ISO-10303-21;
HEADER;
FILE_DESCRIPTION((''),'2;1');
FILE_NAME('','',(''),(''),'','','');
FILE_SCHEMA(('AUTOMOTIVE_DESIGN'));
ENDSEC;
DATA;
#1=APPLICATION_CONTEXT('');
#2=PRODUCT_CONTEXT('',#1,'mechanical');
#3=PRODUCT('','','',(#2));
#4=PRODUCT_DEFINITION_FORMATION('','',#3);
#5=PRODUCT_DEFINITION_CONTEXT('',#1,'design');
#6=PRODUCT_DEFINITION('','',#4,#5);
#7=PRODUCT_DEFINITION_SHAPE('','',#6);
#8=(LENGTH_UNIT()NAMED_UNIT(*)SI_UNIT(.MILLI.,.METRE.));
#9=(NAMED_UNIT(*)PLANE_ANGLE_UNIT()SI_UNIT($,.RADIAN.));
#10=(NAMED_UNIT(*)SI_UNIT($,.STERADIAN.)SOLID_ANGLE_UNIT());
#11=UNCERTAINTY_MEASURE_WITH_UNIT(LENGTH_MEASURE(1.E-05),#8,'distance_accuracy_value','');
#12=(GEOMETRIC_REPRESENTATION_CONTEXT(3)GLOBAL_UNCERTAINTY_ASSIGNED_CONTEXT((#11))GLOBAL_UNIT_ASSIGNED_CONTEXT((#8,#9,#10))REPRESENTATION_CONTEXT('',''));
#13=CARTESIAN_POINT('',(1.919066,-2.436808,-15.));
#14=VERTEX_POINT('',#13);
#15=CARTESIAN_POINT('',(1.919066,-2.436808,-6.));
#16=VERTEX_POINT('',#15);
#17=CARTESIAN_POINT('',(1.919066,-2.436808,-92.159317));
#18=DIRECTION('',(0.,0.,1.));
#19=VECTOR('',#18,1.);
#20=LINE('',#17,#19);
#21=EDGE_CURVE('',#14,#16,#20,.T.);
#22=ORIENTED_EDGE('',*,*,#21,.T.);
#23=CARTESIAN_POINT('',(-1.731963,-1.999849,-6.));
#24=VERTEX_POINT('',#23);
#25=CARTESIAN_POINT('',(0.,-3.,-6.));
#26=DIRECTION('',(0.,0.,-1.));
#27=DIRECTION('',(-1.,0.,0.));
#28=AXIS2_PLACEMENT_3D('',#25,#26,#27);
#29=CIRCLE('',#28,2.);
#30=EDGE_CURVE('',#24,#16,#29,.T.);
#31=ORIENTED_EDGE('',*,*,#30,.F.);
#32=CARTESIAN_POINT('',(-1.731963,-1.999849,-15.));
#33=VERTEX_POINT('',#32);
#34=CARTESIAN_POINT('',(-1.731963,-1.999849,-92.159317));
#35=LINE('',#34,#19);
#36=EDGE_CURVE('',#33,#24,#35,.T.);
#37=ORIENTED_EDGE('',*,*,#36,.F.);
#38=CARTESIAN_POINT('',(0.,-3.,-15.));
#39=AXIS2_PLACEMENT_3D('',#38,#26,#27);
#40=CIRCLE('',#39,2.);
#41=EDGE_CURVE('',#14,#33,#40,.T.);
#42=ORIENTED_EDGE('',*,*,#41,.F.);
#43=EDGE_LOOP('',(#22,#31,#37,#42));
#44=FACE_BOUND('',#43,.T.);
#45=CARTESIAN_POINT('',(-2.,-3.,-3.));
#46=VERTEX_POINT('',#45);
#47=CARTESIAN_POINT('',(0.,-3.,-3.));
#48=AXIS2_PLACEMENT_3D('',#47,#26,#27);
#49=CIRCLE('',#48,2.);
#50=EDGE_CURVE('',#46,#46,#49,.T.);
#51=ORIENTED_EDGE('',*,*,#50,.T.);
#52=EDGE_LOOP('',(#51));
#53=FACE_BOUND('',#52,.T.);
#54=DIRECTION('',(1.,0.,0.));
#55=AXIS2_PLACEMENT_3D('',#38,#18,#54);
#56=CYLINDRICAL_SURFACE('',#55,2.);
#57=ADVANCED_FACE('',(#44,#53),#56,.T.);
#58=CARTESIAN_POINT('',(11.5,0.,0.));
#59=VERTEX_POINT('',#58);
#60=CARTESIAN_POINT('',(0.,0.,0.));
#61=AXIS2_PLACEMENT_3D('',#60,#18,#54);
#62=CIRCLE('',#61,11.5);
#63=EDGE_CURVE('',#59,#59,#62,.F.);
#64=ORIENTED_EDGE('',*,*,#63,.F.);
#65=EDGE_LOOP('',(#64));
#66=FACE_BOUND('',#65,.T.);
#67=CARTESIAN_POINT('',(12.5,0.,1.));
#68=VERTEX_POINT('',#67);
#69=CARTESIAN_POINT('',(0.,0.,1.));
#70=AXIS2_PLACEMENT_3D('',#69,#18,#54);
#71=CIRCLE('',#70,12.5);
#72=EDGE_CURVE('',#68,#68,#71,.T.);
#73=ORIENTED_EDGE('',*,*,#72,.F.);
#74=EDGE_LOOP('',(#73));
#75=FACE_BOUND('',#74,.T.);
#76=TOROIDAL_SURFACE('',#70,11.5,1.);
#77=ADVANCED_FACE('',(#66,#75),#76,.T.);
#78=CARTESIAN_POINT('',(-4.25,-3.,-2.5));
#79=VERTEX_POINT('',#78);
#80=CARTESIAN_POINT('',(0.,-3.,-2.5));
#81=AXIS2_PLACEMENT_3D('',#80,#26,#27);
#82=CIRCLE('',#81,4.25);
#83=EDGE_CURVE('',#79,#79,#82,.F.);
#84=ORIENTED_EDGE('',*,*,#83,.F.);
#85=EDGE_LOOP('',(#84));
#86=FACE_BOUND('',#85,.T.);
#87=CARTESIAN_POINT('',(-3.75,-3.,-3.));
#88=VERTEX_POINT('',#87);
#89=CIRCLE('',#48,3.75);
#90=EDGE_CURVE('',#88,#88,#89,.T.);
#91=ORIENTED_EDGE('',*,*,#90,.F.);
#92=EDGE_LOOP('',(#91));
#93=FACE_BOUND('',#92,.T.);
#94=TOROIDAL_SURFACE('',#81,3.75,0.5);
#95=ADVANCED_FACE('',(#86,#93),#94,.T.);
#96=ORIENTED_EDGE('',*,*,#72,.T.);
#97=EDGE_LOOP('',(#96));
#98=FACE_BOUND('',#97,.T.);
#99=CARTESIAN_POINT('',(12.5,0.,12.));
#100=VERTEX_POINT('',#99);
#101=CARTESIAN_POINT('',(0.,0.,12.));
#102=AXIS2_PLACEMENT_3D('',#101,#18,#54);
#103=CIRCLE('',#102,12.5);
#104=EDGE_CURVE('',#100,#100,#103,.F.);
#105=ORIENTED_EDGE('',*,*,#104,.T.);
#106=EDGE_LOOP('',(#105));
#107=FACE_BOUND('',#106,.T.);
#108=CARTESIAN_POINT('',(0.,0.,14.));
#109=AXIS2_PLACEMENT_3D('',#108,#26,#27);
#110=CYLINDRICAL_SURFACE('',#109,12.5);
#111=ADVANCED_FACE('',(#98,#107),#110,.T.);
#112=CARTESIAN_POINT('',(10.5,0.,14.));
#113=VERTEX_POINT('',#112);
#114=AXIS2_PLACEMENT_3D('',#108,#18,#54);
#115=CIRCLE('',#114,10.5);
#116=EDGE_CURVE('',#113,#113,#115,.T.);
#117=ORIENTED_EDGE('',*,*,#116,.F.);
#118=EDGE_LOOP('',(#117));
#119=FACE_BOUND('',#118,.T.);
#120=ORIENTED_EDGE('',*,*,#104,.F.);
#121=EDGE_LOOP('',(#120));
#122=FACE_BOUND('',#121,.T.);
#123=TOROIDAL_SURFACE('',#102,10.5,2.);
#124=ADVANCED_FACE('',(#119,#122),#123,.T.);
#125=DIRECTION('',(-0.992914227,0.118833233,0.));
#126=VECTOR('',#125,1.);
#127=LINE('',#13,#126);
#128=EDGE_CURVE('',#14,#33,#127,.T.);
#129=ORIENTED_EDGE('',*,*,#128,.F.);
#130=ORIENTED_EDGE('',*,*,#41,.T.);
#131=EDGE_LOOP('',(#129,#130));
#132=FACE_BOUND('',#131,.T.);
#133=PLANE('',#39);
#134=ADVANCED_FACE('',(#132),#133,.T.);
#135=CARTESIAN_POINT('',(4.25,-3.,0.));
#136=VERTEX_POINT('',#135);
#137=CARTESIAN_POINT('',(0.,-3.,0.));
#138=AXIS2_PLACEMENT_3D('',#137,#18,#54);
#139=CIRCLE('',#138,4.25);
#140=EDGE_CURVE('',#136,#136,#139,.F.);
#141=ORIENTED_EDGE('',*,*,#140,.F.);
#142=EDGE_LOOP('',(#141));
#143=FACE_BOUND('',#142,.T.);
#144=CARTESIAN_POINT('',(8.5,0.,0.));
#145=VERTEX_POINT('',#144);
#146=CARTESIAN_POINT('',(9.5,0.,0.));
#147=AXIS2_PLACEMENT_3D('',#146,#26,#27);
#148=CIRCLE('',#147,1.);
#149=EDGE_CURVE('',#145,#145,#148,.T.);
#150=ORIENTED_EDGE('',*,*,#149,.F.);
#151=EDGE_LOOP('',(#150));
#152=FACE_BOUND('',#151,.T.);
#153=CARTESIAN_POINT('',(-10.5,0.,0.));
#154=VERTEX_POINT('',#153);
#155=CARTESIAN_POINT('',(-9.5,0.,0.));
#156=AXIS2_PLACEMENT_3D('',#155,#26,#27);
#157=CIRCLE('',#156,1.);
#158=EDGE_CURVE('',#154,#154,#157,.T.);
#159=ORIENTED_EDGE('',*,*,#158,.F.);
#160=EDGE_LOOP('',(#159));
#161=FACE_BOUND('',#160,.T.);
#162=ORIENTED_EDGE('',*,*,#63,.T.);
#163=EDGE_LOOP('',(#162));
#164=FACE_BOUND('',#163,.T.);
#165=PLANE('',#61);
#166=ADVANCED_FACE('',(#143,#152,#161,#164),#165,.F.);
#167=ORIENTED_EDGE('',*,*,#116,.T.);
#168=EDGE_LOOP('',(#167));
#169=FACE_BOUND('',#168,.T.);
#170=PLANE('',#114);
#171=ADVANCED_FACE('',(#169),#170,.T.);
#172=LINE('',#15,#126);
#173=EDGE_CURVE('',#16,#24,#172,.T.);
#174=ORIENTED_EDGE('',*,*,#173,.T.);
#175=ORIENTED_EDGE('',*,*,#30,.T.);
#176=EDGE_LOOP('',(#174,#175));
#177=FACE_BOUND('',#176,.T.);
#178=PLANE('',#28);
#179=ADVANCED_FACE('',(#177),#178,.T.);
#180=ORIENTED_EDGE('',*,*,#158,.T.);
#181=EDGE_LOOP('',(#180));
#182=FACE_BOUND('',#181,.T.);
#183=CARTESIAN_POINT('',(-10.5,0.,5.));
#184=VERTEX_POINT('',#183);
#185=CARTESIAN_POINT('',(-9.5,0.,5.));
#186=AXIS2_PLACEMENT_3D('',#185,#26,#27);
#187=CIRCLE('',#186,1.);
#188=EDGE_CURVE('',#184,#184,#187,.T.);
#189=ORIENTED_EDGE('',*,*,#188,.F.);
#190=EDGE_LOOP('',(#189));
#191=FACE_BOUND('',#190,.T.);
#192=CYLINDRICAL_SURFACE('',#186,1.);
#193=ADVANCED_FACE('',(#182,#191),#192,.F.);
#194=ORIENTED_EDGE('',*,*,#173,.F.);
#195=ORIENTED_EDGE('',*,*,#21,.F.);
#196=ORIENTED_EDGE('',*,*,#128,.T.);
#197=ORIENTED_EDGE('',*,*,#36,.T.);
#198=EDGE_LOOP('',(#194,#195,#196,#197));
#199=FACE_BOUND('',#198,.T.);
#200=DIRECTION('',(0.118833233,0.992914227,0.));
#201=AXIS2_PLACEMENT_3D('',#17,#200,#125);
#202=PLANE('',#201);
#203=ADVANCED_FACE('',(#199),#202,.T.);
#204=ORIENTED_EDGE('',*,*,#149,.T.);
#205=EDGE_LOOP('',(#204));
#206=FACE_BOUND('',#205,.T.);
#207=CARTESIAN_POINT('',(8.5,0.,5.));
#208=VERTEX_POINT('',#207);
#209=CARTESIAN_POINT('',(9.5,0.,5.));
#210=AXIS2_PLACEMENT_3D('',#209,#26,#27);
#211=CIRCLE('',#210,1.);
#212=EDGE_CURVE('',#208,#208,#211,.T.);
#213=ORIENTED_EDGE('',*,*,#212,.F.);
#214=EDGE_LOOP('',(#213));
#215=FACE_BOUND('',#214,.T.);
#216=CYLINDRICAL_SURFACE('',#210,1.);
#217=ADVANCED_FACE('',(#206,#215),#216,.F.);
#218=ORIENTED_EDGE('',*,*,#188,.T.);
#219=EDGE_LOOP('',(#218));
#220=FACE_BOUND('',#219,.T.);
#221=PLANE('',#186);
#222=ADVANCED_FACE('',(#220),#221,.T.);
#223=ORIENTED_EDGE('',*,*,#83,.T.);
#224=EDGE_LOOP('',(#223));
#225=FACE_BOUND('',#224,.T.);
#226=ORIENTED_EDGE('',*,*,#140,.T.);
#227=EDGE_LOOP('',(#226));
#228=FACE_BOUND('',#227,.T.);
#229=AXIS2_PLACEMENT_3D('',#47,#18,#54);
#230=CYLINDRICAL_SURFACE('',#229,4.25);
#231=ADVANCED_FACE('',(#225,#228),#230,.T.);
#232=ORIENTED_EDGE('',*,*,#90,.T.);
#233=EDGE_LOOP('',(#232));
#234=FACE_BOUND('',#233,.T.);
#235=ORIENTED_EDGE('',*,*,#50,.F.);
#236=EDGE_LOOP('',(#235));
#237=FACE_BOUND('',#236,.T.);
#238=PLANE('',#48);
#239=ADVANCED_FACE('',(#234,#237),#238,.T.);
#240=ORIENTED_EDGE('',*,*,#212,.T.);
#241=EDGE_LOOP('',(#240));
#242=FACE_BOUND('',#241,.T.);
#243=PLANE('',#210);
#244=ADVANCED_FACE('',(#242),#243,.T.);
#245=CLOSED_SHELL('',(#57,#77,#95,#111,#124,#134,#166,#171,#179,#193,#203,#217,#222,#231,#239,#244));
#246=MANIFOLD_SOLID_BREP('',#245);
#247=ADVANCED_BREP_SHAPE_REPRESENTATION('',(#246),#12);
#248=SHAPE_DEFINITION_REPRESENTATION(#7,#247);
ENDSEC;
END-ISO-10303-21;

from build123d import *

# Parameters (mm, degrees)
SKETCH1_R               = 12.5
BOSS_EXTRUDE1_DEPTH     = 14
FILLET2_R               = 1
SKETCH6_R               = 1
CUT_EXTRUDE2_DEPTH      = 5
SKETCH7_R               = 4.25
BOSS_EXTRUDE5_DEPTH     = 3
FILLET4_R               = 0.5
SKETCH8_R               = 2
BOSS_EXTRUDE6_DEPTH     = 12
CUT_EXTRUDE3_DEPTH      = 1
CUT_EXTRUDE3_DEPTH_BACK = 9
FILLET5_R               = 2


with BuildPart() as part:
    # Sketch1 → Boss-Extrude1 (new body)
    with BuildSketch(Plane.XY):
        Circle(SKETCH1_R)
    extrude(amount=BOSS_EXTRUDE1_DEPTH)

    # Fillet2
    fillet2_edges = [part.edges().sort_by_distance(p)[0] for p in [
        (-12.5, 0, 0),
    ]]
    fillet(fillet2_edges, radius=FILLET2_R)

    # Sketch6 → Cut-Extrude2 (cut)
    with BuildSketch(Plane(origin=(0, 0, 0), x_dir=(-1, 0, 0), z_dir=(0, 0, -1))):
        with Locations((-9.5, 0)):
            Circle(SKETCH6_R)
        with Locations((9.5, 0)):
            Circle(SKETCH6_R)
    extrude(amount=-CUT_EXTRUDE2_DEPTH, mode=Mode.SUBTRACT)

    # Sketch7 → Boss-Extrude5 (add)
    with BuildSketch(Plane(origin=(0, 0, 0), x_dir=(-1, 0, 0), z_dir=(0, 0, -1))):
        with Locations((0, -3)):
            Circle(SKETCH7_R)
    extrude(amount=BOSS_EXTRUDE5_DEPTH)

    # Fillet4
    fillet4_edges = [part.edges().sort_by_distance(p)[0] for p in [
        (4.25, -3, -3),
    ]]
    fillet(fillet4_edges, radius=FILLET4_R)

    # Sketch8 → Boss-Extrude6 (add)
    with BuildSketch(Plane(origin=(0, 0, -3), x_dir=(-1, 0, 0), z_dir=(0, 0, -1))):
        with Locations((0, -3)):
            Circle(SKETCH8_R)
    extrude(amount=BOSS_EXTRUDE6_DEPTH)

    # Sketch9 → Cut-Extrude3 (cut, two sides)
    with BuildSketch(Plane(origin=(0, 0, -15), x_dir=(-1, 0, 0), z_dir=(0, 0, -1))) as cut_extrude3_sk:
        Polygon((-53.075925999, -8.559326208), (-1.919066235, -2.436808394), (1.731963356, -1.999848545), (52.88882312, 4.122669269), (40.643787491, 106.436388797), (-65.320961628, 93.754393319), align=None)
    extrude(amount=CUT_EXTRUDE3_DEPTH, mode=Mode.SUBTRACT)
    extrude(cut_extrude3_sk.sketch, amount=-CUT_EXTRUDE3_DEPTH_BACK, mode=Mode.SUBTRACT)

    # Fillet5
    fillet5_edges = [part.edges().sort_by_distance(p)[0] for p in [
        (-12.5, 0, 14),
    ]]
    fillet(fillet5_edges, radius=FILLET5_R)


solid = part.part
